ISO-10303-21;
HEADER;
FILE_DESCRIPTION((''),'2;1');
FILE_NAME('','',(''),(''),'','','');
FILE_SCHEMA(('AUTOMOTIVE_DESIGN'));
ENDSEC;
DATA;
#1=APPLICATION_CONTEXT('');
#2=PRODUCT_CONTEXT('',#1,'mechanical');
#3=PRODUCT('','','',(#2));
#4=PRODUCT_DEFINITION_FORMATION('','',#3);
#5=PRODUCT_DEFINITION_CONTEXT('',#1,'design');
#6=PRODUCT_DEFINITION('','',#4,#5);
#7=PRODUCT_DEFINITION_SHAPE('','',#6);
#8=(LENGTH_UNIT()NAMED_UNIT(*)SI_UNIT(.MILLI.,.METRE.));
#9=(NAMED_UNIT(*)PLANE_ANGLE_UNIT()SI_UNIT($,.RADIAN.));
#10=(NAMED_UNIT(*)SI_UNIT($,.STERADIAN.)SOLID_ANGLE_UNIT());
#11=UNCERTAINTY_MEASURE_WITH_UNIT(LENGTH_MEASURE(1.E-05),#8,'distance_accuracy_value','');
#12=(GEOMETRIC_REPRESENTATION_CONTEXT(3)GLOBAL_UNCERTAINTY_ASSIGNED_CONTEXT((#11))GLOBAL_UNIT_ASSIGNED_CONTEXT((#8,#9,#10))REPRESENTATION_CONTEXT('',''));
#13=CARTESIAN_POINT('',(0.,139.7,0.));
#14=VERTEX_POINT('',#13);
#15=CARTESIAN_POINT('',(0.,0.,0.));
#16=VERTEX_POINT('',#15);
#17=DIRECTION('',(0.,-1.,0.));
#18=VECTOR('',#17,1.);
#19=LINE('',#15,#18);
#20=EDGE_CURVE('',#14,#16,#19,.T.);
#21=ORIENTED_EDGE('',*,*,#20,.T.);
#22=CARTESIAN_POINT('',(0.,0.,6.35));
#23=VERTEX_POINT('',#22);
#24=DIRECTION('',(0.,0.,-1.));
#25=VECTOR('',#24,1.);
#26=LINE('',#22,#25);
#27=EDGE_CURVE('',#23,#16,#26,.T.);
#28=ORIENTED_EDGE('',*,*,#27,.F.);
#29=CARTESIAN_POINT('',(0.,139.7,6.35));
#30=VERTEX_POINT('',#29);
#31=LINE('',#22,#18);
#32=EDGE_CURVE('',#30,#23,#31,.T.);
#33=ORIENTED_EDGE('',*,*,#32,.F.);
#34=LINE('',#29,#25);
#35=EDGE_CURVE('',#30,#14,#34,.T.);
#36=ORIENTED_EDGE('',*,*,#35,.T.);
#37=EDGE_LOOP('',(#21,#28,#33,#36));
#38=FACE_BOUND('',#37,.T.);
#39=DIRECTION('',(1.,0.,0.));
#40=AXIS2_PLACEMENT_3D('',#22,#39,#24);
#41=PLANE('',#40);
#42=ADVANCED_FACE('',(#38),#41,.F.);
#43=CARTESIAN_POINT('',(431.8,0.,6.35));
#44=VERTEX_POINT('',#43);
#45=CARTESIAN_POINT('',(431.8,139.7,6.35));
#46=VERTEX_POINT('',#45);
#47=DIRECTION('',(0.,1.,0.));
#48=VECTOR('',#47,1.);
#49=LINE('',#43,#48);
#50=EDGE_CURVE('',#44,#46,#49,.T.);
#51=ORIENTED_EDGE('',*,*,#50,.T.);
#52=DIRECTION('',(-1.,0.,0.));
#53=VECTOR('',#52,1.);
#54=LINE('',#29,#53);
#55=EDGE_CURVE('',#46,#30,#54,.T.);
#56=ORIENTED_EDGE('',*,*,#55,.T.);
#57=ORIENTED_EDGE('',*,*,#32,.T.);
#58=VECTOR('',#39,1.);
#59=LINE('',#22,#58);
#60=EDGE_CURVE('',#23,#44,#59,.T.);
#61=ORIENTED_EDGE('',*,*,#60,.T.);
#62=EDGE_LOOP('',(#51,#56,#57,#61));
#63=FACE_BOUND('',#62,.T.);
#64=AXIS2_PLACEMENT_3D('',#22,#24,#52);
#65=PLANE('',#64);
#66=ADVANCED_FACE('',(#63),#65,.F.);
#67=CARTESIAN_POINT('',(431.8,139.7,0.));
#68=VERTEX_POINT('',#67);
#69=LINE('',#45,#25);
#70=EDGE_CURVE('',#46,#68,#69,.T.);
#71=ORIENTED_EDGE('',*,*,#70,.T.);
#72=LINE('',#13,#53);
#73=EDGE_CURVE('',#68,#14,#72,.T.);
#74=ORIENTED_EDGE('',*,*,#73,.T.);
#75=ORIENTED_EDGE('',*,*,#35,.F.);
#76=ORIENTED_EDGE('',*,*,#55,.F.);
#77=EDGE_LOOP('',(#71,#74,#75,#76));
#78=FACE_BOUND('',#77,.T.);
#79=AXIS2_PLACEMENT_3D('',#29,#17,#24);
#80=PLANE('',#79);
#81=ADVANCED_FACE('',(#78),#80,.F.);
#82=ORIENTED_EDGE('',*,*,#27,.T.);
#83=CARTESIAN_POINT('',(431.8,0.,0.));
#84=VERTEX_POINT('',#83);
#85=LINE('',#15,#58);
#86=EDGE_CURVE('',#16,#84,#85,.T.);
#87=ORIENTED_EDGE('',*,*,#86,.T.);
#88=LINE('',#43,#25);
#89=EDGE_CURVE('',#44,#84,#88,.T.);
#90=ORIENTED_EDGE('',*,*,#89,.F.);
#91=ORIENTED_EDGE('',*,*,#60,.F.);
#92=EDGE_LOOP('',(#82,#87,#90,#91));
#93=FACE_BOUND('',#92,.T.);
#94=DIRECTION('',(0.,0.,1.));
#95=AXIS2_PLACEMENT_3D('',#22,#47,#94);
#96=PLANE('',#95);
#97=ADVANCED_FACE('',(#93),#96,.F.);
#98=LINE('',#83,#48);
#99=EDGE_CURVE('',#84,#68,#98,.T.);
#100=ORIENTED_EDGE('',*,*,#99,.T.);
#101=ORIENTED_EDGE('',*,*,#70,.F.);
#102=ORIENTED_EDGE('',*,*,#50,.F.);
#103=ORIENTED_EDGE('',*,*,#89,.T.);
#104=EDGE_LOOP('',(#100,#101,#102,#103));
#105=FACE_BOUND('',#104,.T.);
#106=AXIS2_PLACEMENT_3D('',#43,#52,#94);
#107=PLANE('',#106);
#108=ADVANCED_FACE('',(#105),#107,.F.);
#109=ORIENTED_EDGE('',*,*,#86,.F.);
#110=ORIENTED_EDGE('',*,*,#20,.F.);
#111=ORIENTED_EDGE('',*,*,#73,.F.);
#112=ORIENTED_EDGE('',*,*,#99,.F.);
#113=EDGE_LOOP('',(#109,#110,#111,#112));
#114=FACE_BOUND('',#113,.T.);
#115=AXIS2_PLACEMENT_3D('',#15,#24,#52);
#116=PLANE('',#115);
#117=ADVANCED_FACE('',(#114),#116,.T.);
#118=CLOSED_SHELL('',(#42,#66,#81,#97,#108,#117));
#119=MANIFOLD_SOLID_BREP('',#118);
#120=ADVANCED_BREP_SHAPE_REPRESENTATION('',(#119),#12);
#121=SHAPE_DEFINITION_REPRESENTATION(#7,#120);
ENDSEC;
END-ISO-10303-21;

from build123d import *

# Parameters (mm, degrees)
SKETCH1_W           = 431.8
SKETCH1_H           = 139.7
BOSS_EXTRUDE1_DEPTH = 6.35


with BuildPart() as part:
    # Sketch1 → Boss-Extrude1 (new body)
    with BuildSketch(Plane.XY):
        with Locations((215.9, 69.85)):
            Rectangle(SKETCH1_W, SKETCH1_H)
    extrude(amount=BOSS_EXTRUDE1_DEPTH)


solid = part.part
